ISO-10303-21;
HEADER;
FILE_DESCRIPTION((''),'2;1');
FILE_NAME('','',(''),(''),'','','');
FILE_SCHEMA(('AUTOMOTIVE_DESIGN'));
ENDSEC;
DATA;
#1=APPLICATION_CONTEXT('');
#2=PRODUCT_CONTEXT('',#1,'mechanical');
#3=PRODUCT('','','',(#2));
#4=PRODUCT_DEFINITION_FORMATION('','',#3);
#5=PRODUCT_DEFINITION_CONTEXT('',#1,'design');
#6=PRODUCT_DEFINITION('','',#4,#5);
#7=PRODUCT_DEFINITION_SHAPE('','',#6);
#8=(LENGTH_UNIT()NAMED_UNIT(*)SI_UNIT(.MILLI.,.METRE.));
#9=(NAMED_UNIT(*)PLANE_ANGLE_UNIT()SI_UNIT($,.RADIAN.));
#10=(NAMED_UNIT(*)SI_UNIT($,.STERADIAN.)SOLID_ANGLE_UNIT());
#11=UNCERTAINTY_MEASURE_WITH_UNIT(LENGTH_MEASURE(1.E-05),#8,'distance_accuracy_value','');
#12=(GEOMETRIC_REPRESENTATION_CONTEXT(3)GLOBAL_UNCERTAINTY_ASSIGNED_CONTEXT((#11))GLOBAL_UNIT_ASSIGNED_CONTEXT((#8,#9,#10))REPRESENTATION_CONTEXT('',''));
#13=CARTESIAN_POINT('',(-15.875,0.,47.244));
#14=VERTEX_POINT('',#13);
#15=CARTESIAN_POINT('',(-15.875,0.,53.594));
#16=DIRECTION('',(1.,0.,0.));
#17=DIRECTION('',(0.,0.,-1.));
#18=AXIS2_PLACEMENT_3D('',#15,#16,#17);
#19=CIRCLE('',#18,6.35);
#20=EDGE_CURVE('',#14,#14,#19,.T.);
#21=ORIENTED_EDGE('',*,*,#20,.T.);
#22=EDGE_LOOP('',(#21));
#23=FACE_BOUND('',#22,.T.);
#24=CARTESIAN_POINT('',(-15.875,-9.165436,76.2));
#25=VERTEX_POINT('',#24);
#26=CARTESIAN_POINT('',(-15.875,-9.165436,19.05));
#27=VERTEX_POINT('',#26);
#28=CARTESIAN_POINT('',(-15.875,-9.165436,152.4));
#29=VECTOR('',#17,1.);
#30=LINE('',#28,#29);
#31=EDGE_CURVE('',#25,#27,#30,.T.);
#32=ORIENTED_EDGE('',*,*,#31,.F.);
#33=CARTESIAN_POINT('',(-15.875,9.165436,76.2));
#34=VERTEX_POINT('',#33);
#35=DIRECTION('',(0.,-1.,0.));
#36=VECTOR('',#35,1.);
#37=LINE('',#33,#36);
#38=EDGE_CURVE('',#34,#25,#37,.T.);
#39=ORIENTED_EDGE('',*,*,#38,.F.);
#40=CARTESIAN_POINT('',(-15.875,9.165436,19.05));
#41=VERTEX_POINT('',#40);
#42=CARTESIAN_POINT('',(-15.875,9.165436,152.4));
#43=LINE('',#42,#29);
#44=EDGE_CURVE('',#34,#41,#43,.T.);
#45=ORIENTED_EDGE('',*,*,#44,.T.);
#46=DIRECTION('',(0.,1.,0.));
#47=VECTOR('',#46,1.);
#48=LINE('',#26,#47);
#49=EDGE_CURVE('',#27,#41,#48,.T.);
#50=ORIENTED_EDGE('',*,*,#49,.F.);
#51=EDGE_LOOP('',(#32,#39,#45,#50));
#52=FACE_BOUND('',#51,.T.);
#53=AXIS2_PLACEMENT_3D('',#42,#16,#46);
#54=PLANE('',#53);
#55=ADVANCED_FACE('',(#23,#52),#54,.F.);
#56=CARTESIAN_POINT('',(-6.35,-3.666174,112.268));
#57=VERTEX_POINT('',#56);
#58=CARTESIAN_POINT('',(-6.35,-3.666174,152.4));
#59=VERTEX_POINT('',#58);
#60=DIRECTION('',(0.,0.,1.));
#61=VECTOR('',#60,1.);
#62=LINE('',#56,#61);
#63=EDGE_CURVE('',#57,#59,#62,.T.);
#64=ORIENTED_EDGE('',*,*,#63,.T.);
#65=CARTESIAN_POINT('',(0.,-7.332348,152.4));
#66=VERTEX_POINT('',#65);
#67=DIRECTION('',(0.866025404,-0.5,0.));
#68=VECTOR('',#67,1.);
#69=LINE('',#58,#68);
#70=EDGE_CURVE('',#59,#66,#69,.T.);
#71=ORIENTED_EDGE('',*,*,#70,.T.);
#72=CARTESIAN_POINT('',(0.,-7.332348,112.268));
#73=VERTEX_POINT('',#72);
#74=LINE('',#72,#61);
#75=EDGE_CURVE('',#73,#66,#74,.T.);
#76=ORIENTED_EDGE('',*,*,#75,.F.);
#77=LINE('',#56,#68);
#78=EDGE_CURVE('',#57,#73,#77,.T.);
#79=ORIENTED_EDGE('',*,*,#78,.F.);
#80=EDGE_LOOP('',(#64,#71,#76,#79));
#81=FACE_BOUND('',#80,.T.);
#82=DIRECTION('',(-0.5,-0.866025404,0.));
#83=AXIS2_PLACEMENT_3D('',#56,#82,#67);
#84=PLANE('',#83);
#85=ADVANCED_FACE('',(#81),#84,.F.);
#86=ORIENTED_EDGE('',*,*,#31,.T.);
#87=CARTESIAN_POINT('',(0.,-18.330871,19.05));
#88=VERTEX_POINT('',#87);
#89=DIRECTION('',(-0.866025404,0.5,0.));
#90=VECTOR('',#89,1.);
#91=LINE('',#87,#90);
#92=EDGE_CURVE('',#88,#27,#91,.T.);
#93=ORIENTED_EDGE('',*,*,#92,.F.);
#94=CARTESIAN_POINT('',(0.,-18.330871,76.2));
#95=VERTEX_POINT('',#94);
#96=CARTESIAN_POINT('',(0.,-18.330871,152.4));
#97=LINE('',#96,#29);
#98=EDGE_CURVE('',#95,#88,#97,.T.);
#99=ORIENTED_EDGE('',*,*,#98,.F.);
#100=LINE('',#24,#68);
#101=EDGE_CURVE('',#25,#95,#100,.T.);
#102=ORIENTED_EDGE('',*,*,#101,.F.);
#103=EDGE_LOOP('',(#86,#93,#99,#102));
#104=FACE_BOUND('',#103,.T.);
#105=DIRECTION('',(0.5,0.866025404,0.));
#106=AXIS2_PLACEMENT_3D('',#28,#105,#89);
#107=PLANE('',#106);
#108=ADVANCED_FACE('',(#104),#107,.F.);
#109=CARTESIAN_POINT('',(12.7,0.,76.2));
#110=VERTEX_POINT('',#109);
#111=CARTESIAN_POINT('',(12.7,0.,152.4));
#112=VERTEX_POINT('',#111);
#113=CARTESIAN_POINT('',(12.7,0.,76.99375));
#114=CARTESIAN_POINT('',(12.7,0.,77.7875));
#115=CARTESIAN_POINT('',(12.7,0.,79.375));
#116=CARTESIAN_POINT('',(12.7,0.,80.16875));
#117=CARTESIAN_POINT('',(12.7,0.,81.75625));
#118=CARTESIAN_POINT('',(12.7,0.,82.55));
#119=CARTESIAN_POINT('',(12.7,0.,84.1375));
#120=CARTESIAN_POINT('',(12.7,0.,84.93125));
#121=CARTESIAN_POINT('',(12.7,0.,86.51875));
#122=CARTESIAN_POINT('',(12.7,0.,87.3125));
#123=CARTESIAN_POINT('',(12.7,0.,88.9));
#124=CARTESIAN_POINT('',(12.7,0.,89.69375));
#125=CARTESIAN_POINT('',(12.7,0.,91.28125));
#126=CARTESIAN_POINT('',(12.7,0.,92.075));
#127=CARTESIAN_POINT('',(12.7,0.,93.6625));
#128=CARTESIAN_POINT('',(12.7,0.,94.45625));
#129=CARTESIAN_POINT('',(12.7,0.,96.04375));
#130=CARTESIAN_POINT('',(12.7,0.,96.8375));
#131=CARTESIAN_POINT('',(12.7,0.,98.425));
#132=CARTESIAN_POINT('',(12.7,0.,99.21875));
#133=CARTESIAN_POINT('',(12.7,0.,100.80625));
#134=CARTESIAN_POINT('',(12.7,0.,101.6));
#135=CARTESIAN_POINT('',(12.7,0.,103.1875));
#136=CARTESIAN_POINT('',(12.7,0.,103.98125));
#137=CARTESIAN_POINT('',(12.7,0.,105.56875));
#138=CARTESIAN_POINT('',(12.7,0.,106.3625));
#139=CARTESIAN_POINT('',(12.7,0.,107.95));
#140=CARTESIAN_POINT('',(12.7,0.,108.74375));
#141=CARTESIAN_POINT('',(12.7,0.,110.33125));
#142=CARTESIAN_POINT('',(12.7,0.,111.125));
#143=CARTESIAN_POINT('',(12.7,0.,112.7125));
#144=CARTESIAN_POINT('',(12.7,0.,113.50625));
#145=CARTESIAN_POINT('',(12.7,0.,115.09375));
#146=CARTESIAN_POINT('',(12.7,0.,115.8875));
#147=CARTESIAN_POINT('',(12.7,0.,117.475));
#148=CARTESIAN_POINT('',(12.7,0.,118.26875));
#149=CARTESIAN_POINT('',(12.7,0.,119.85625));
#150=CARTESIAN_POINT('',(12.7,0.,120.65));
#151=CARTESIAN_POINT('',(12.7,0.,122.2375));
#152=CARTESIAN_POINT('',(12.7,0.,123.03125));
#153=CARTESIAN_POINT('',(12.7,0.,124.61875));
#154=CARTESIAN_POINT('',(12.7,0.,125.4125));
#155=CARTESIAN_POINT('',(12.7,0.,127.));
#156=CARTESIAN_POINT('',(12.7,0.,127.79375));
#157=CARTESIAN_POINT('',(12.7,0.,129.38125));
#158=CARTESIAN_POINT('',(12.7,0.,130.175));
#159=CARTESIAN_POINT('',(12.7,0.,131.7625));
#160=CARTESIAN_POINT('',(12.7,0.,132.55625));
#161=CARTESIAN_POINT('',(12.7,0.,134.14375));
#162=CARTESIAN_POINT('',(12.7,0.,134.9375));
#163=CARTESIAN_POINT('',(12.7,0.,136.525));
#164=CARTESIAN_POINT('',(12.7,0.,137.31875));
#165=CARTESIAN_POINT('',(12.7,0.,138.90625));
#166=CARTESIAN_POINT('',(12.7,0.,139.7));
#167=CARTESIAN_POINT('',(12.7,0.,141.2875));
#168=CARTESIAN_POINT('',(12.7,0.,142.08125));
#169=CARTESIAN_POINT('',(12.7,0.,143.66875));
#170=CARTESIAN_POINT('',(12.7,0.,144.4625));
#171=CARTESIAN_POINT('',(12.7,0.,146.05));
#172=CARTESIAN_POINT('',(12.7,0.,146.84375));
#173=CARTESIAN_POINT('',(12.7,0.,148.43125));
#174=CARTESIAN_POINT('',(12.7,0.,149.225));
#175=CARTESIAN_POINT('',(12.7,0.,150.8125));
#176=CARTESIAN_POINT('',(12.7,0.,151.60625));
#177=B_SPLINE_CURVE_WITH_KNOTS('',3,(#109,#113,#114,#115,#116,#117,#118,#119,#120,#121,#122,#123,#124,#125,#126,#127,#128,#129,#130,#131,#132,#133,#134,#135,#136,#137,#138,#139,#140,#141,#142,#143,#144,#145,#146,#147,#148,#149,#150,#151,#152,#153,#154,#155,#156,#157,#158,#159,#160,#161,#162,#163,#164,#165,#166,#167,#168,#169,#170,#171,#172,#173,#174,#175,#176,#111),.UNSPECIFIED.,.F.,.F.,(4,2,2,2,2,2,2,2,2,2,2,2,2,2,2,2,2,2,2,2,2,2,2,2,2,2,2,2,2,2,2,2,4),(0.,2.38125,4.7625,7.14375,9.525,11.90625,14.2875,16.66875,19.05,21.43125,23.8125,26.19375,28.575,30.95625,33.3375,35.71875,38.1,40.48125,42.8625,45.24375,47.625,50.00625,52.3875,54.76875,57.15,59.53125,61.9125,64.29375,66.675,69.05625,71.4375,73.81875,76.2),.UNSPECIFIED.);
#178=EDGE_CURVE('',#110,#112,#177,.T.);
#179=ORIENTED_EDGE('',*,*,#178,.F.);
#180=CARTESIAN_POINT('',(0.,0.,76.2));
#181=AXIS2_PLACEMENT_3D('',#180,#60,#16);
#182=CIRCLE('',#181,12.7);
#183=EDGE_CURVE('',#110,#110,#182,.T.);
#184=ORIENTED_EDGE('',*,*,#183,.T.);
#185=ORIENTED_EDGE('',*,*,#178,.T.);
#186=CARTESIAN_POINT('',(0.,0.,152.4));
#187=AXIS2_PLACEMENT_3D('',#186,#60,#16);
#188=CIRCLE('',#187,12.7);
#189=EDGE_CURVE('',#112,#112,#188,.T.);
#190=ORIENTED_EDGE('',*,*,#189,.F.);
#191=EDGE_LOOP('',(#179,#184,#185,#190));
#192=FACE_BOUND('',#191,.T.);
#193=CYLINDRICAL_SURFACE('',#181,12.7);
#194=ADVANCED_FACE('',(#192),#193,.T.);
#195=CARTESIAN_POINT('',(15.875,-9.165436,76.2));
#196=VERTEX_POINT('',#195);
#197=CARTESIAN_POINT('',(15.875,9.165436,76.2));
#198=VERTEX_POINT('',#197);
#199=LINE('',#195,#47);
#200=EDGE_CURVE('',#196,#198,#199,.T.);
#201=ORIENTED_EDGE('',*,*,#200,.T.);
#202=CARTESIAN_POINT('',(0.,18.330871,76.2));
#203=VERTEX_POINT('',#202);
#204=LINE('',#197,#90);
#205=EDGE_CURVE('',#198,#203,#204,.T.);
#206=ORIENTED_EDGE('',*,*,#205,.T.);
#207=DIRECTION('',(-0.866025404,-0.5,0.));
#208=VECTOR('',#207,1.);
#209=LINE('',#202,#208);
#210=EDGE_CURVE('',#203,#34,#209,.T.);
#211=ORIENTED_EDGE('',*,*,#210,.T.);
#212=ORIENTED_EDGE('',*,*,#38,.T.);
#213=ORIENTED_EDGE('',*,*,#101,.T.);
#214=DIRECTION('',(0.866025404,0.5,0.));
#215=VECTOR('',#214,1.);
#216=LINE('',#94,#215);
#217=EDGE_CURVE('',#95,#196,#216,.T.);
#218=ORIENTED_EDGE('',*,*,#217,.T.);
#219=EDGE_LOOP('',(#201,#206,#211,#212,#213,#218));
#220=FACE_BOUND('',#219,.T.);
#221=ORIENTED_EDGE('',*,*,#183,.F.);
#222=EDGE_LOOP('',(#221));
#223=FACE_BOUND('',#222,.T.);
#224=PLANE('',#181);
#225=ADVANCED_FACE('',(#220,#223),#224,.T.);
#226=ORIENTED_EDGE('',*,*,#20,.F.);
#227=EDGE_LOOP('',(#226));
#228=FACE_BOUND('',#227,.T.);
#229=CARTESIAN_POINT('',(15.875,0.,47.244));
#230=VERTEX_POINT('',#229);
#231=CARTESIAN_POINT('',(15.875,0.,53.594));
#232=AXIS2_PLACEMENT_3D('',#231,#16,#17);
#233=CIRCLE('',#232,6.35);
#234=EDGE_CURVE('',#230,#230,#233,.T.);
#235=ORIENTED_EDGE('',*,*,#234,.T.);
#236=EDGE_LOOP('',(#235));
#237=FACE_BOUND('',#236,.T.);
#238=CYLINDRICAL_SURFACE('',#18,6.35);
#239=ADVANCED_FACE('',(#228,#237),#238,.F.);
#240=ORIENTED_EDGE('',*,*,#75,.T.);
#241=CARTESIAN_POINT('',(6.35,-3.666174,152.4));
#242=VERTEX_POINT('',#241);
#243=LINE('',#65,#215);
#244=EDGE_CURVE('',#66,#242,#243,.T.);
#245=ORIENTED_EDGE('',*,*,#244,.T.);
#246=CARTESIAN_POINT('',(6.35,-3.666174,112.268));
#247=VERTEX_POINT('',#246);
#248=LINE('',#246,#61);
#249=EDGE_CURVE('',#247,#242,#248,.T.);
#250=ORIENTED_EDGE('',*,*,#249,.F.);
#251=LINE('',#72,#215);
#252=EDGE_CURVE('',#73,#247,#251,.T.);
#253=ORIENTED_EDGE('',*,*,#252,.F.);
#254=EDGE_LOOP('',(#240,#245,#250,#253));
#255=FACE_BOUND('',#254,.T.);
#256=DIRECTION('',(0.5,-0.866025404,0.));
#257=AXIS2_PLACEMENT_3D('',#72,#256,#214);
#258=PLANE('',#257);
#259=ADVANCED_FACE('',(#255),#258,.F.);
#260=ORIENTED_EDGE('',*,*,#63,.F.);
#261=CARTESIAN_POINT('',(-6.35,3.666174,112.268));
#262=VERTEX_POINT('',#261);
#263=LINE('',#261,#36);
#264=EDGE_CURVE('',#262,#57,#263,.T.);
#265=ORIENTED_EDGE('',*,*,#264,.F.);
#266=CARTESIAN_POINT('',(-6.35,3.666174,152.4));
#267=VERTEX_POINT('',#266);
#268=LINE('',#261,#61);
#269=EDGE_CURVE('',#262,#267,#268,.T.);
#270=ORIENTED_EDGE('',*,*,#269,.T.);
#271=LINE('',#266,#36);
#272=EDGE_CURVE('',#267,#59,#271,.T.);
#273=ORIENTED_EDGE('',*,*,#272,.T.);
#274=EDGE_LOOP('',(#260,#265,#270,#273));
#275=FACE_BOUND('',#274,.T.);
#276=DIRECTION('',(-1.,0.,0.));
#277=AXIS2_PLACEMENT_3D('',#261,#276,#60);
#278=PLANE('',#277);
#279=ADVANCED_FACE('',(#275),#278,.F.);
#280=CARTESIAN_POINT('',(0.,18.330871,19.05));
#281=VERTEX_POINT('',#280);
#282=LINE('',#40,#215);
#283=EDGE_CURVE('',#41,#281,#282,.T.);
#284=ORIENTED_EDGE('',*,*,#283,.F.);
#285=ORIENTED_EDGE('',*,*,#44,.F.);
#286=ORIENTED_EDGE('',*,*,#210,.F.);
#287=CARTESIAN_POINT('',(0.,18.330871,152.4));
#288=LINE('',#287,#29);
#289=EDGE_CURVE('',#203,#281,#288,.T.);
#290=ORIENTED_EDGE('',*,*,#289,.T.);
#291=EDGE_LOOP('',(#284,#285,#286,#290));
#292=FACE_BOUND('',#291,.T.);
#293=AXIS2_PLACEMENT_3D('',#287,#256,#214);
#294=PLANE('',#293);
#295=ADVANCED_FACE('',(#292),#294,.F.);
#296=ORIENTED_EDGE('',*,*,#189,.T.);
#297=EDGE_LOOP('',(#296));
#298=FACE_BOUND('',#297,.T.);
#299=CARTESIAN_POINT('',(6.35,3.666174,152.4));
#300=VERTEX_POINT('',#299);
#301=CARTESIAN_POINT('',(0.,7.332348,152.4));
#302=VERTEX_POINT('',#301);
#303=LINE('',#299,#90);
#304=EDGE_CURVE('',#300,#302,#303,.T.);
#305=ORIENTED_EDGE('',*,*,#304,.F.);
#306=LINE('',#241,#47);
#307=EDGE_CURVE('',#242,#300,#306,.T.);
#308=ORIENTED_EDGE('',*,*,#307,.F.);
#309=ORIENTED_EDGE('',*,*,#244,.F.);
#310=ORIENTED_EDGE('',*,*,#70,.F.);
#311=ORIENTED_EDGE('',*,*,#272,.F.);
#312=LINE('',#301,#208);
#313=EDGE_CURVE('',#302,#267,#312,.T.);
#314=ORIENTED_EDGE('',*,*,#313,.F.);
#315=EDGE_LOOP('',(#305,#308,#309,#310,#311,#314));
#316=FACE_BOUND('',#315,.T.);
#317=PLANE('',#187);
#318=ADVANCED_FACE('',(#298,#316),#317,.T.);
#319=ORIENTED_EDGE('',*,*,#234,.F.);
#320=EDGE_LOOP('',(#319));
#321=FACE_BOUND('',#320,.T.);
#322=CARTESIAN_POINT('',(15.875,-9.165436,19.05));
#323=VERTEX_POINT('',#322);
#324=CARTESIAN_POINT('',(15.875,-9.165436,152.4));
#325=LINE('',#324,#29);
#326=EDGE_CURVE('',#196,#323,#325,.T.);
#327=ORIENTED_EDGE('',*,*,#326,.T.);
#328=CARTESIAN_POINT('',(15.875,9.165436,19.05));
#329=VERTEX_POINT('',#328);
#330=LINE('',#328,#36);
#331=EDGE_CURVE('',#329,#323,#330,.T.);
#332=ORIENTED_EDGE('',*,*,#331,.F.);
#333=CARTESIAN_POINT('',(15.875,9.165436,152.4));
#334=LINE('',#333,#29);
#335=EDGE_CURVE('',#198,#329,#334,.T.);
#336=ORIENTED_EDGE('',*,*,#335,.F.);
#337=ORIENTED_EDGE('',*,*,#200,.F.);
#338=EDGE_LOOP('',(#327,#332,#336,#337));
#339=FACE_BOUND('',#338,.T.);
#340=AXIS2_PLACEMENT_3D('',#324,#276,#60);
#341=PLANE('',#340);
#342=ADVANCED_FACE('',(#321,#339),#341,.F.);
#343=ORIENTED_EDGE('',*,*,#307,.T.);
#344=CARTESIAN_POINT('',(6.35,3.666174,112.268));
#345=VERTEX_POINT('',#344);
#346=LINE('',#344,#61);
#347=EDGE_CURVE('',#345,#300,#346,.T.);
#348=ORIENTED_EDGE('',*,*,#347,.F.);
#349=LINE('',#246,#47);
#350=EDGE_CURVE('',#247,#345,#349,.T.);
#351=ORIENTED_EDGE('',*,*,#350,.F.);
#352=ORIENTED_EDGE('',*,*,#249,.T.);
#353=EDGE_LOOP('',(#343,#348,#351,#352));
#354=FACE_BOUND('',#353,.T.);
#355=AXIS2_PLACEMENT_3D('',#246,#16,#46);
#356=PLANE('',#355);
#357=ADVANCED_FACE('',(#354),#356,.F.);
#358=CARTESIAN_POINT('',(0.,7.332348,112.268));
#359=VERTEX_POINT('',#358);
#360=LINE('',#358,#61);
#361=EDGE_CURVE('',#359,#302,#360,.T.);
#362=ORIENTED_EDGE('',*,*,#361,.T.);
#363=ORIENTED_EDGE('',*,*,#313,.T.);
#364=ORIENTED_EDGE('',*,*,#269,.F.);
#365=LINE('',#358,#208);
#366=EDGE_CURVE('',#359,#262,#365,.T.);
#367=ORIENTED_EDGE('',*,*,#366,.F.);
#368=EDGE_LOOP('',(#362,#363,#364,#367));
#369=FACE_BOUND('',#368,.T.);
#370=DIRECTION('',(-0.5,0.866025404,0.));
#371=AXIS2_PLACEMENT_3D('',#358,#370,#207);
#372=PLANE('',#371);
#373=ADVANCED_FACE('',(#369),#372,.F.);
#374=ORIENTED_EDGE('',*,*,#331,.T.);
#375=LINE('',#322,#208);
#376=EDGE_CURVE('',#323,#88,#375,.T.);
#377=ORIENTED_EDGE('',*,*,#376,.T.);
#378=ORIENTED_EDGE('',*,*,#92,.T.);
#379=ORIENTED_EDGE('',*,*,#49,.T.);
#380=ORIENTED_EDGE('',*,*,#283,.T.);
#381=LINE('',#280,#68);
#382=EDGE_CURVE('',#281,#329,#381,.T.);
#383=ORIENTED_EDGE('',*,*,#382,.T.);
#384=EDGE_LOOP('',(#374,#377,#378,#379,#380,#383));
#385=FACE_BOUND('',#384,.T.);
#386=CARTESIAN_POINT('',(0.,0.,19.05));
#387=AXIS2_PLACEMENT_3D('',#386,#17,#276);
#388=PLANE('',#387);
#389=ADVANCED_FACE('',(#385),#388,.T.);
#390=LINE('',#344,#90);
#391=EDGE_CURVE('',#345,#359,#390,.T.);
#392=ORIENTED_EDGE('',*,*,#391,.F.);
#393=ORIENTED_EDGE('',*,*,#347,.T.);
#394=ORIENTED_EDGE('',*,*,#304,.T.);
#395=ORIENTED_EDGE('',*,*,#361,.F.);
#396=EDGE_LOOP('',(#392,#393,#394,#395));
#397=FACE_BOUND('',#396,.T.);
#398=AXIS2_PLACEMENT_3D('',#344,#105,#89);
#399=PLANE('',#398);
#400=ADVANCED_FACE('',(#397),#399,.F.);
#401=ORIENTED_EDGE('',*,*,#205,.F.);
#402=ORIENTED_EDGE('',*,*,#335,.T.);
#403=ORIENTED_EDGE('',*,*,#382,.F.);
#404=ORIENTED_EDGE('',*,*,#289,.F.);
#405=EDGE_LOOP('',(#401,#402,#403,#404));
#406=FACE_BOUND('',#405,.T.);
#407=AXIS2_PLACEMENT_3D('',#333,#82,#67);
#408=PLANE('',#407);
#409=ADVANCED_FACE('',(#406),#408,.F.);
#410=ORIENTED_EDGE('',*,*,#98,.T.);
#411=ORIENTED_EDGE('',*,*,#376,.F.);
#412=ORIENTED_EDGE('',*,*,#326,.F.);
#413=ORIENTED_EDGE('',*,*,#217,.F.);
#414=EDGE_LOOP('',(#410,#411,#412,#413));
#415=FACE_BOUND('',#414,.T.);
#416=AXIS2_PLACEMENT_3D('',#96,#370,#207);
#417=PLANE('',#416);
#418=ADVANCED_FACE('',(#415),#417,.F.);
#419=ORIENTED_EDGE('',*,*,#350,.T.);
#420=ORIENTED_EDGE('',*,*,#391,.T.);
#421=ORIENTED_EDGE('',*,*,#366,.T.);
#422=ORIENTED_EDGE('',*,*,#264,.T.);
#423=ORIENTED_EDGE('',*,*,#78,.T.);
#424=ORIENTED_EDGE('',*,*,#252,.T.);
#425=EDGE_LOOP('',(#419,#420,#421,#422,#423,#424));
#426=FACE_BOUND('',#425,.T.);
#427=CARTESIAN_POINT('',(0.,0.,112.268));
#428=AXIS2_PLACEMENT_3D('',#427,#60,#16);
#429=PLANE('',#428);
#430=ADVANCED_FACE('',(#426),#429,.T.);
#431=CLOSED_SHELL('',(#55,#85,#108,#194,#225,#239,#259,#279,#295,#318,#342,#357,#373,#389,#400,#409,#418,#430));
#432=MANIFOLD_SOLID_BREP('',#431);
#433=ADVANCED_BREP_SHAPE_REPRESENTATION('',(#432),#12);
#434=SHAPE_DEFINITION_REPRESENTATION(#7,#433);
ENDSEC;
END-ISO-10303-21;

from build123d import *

# Parameters (mm, degrees)
BOSS_EXTRUDE1_DEPTH      = 152.4
BOSS_EXTRUDE1_DEPTH_BACK = 152.4
CUT_EXTRUDE1_DEPTH       = 171.45
CUT_EXTRUDE2_DEPTH       = 40.132
SKETCH6_R                = 18.330871047
SKETCH6_R_2              = 12.7
CUT_EXTRUDE3_DEPTH       = 76.2
SKETCH7_R                = 6.35
CUT_EXTRUDE4_DEPTH       = 157.747705991


with BuildPart() as part:
    # Sketch3 → Boss-Extrude1 (new, two sides: drawn at the far end of the back side and taken through both)
    with BuildSketch(Plane.XY.offset(-BOSS_EXTRUDE1_DEPTH_BACK)):
        Polygon((0, 18.330871047), (-15.875, 9.165435523), (-15.875, -9.165435523), (0, -18.330871047), (15.875, -9.165435523), (15.875, 9.165435523), align=None)
    extrude(amount=BOSS_EXTRUDE1_DEPTH + BOSS_EXTRUDE1_DEPTH_BACK)

    # Sketch4 → Cut-Extrude1 (cut)
    with BuildSketch(Plane(origin=(0, 0, -152.4), x_dir=(-1, 0, 0), z_dir=(0, 0, -1))):
        Polygon((0, 18.330871047), (-15.875, 9.165435523), (-15.875, -9.165435523), (0, -18.330871047), (15.875, -9.165435523), (15.875, 9.165435523), align=None)
    extrude(amount=-CUT_EXTRUDE1_DEPTH, mode=Mode.SUBTRACT)

    # Sketch5 → Cut-Extrude2 (cut)
    with BuildSketch(Plane.XY.offset(152.4)):
        Polygon((0, 7.332348419), (-6.35, 3.666174209), (-6.35, -3.666174209), (0, -7.332348419), (6.35, -3.666174209), (6.35, 3.666174209), align=None)
    extrude(amount=-CUT_EXTRUDE2_DEPTH, mode=Mode.SUBTRACT)

    # Sketch6 → Cut-Extrude3 (cut)
    with BuildSketch(Plane.XY.offset(152.4)):
        Circle(SKETCH6_R)
        Circle(SKETCH6_R_2, mode=Mode.SUBTRACT)
    extrude(amount=-CUT_EXTRUDE3_DEPTH, mode=Mode.SUBTRACT)

    # Sketch7 → Cut-Extrude4 (cut, through all)
    with BuildSketch(Plane(origin=(15.875, 0, 0), x_dir=(0, 0, -1), z_dir=(1, 0, 0))):
        with Locations((-53.594, 0)):
            Circle(SKETCH7_R)
    extrude(amount=-CUT_EXTRUDE4_DEPTH, mode=Mode.SUBTRACT)


solid = part.part
